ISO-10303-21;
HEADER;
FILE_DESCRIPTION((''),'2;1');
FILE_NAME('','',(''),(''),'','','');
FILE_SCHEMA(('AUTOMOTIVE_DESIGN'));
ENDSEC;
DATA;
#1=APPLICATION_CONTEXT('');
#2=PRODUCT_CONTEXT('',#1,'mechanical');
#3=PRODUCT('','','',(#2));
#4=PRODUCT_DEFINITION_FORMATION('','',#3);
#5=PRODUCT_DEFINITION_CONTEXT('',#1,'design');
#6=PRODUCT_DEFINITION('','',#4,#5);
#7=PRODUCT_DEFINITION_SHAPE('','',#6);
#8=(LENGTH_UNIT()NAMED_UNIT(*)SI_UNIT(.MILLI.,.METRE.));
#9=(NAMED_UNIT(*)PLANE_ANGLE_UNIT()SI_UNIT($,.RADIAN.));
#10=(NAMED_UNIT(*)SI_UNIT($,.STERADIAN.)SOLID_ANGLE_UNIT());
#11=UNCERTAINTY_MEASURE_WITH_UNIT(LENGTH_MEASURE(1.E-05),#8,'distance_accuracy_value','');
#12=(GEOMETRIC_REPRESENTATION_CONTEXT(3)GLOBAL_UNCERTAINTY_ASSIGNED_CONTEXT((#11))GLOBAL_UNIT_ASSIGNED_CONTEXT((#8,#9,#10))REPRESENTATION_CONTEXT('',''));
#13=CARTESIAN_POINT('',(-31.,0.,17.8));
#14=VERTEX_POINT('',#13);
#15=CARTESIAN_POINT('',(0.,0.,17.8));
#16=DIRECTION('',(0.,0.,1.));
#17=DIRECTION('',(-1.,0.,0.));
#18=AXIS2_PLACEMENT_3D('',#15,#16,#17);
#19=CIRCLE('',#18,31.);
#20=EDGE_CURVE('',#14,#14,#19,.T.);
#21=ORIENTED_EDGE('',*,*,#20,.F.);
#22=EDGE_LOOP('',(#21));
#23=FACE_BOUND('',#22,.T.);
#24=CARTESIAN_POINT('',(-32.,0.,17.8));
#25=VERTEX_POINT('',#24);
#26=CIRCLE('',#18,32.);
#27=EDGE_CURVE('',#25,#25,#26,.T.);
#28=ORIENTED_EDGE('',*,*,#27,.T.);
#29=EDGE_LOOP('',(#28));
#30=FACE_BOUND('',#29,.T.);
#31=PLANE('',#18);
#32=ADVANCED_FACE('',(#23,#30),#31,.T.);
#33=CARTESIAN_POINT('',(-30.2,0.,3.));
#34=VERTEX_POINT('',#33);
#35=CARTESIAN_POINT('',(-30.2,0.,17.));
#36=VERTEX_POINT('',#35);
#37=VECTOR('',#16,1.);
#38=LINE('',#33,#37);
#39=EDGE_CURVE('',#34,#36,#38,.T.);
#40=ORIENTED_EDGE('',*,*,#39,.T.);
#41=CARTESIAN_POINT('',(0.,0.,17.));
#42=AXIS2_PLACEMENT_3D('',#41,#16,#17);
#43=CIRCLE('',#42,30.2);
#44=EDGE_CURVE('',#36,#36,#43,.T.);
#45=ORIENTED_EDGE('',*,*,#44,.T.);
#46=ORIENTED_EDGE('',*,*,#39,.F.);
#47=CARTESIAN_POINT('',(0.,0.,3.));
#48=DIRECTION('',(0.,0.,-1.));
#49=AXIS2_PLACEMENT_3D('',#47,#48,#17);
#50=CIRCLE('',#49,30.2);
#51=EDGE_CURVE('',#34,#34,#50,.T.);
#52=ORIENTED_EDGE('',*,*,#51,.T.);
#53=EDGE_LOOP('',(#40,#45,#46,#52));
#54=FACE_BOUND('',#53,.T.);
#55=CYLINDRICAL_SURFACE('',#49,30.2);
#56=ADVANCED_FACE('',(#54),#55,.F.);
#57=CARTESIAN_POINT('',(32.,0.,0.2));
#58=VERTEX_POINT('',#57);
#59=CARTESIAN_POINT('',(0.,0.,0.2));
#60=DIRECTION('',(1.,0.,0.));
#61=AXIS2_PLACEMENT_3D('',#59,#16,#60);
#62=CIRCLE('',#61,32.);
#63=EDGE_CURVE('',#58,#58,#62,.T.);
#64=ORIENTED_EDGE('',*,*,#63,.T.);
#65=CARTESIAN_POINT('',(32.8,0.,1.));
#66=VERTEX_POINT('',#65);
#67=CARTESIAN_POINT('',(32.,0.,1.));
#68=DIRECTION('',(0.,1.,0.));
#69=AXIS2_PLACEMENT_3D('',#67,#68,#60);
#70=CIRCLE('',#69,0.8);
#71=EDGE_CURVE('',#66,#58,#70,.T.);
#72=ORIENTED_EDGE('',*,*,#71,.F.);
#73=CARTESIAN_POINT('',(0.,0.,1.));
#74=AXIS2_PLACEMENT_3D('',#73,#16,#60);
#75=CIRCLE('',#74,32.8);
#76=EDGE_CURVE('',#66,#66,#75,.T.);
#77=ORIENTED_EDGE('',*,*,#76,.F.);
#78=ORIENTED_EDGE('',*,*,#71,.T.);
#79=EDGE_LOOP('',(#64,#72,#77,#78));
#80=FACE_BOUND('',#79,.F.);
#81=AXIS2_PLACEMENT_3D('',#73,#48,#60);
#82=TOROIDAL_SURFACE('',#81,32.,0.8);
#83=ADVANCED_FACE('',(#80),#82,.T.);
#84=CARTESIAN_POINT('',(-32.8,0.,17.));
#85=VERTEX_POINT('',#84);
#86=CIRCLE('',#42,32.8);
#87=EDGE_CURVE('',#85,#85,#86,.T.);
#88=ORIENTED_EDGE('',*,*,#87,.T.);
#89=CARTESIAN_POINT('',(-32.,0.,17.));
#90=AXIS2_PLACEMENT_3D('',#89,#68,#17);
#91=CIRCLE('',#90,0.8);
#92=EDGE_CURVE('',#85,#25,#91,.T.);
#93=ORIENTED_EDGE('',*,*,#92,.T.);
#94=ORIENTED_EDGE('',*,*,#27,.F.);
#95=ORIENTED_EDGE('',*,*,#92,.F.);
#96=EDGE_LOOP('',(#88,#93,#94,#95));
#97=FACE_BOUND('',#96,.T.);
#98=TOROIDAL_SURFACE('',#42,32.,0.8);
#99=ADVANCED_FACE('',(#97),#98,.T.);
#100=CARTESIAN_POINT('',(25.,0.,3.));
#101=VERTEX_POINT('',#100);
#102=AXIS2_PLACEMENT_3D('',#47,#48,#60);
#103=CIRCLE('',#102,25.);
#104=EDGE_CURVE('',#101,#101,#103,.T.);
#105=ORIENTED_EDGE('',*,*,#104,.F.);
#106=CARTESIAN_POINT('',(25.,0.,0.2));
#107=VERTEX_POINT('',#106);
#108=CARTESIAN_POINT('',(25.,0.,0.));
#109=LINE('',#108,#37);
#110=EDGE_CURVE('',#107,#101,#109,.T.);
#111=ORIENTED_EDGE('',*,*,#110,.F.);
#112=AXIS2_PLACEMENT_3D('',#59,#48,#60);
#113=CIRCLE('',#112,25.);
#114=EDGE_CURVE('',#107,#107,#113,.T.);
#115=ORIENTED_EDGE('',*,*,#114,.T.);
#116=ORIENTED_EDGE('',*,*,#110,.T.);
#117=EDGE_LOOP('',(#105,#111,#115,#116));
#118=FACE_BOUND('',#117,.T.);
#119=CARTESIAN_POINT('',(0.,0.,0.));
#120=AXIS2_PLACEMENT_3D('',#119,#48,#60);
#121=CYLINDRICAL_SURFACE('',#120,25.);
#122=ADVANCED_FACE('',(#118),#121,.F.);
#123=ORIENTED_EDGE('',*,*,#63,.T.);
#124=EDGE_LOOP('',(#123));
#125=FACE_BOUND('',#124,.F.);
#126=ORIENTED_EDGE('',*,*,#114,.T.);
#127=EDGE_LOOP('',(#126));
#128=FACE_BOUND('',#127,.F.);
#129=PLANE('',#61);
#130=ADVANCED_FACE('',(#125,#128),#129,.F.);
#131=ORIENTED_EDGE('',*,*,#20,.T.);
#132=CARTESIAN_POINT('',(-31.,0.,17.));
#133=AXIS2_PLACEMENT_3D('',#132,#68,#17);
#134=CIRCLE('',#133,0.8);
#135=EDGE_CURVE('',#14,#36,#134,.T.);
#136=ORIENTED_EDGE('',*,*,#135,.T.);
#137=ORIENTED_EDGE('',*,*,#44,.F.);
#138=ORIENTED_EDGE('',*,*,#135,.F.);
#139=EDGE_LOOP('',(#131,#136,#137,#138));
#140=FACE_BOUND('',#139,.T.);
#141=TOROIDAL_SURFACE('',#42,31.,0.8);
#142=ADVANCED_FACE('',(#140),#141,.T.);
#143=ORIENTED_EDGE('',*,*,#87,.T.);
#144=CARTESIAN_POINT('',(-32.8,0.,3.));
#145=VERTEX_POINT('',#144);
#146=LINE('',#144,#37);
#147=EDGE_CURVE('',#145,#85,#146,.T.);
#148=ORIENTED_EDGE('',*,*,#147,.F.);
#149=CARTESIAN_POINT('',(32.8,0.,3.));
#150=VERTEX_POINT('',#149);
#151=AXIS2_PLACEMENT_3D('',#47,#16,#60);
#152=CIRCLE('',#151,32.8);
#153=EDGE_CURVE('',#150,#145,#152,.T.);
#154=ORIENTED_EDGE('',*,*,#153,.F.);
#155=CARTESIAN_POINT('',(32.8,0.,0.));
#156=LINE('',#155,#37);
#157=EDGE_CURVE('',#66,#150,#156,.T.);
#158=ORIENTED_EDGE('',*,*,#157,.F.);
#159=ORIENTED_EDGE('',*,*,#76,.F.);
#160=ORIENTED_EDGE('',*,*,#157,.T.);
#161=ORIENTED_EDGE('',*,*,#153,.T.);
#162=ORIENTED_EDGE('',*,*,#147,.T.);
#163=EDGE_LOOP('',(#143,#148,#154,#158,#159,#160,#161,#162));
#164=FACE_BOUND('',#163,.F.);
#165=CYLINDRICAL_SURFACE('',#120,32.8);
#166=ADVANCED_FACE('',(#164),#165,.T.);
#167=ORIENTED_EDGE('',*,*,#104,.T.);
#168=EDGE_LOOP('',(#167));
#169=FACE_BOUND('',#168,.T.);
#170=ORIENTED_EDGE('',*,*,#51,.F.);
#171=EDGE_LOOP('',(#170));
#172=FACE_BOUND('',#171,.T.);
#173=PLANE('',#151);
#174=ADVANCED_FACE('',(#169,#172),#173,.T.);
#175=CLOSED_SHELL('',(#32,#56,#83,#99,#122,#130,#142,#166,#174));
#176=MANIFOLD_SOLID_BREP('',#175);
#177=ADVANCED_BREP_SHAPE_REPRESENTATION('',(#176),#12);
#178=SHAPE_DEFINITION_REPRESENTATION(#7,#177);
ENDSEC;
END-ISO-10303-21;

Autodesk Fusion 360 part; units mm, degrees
sketch "Sketch1" plane through (0, 0, 0) normal (0, 0, 1) x (1, 0, 0)
  circle A0 centre (0, 0) radius 25
  circle A1 centre (0, 0) radius 30
  circle A2 centre (0, 0) radius 33
  dimension "d1" = 50
  dimension "d2" = 60
  dimension "d3" = 66
extrude "Extrude1" add sketch "Sketch1" along normal blind 3 contours A1 | A2
sketch "Sketch2" plane through (0, 0, 3) normal (0, 0, 1) x (-1, 0, 0)
  circle A0 centre (0, 0) radius 25
  circle A1 centre (0, 0) radius 33
  circle A2 centre (0, 0) radius 30
  circle A3 centre (0, 0) radius 33
extrude "Extrude2" add sketch "Sketch2" along normal blind 15 contours A1 A3
fillet "Fillet1" radius 1 2 edges at (27.9698, -10.8485, 18) (30.7668, 11.9333, 18)
fillet "Fillet2" radius 1 1 edges at (-30.7668, -11.9333, 0)
move_face "OffsetFaces1" offset -0.2 1 faces at (-29.8509, 2.987, 7.6667)
